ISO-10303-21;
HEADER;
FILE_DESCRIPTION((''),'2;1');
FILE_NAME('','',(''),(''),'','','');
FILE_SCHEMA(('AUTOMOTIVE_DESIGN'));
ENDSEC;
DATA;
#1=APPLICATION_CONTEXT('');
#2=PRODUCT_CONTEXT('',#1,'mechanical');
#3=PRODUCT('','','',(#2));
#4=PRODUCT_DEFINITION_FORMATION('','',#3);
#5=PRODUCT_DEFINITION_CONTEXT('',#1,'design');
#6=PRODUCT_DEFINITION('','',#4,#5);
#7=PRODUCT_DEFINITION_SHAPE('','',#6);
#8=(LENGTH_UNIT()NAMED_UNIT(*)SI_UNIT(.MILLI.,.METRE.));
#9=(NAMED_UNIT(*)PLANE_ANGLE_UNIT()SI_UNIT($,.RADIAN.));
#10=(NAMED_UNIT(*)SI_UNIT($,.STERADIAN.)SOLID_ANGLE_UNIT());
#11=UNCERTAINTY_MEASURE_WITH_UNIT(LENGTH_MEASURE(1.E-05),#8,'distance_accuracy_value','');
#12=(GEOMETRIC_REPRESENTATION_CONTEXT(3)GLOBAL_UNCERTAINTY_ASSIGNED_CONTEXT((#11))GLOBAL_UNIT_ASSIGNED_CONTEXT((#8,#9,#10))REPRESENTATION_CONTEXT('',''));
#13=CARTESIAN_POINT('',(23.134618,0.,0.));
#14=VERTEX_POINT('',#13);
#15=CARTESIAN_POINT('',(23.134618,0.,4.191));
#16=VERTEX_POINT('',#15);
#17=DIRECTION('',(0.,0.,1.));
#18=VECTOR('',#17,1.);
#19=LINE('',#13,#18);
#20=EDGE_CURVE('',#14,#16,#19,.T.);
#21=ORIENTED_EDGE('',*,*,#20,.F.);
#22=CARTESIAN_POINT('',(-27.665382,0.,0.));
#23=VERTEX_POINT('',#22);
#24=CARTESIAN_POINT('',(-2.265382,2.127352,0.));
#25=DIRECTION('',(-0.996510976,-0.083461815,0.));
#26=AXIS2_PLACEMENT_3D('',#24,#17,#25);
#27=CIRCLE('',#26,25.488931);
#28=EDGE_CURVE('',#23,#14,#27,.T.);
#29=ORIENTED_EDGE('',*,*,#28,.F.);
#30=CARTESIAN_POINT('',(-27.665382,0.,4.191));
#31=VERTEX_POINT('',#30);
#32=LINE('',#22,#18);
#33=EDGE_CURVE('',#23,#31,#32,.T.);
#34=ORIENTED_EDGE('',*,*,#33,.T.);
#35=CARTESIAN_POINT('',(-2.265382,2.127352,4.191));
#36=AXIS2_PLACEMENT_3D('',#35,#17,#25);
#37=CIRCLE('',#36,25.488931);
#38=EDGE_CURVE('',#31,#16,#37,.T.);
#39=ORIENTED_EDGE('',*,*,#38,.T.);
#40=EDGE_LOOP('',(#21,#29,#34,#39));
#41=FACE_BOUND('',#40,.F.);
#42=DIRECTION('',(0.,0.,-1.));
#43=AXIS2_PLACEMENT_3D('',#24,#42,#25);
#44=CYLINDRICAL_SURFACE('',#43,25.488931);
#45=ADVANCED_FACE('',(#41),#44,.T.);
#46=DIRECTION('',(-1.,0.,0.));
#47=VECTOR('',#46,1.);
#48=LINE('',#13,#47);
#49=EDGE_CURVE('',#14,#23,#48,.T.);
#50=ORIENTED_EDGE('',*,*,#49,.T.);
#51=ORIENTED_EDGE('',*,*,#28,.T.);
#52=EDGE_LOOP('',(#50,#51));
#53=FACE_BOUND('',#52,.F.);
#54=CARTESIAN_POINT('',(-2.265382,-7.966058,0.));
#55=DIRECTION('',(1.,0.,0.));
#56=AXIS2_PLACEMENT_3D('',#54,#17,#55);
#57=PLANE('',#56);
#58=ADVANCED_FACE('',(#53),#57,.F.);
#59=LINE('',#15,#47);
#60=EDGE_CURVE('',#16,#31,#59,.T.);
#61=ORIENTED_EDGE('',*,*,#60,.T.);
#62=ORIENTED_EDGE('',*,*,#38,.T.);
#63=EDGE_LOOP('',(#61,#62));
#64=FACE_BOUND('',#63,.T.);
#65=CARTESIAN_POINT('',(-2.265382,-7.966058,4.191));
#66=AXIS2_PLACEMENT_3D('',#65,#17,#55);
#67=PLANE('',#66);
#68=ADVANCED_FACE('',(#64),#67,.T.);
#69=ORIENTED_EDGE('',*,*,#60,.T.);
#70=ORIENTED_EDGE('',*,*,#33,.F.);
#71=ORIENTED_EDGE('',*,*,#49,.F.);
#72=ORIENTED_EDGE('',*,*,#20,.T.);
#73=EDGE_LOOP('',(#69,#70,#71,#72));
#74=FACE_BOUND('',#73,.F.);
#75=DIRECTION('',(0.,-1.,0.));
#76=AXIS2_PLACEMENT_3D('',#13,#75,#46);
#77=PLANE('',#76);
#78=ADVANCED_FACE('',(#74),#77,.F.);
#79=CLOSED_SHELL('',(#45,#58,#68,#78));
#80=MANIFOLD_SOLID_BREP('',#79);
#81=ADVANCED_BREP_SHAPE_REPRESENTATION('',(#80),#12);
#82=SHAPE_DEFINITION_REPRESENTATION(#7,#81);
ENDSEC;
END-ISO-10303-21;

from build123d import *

# Parameters (mm, degrees)
F1_DEPTH = 4.191


with BuildPart() as f1:
    # F0 (on Top) → F1 (new body)
    with BuildSketch(Plane.XY):
        with BuildLine():
            Line((-23.474382, 0), (-27.665382, 0))
            ThreePointArc((-27.665382, 0), (-2.265382, -23.361579), (23.134618, 0))
            Line((23.134618, 0), (18.943618, 0))
            Line((18.943618, 0), (9.970825, 0))
            Line((9.970825, 0), (5.779825, 0))
            Line((5.779825, 0), (-6.075382, 0))
            Line((-6.075382, 0), (-10.266382, 0))
            Line((-10.266382, 0), (-23.474382, 0))
        make_face()
    extrude(amount=F1_DEPTH)


solid = f1.part
